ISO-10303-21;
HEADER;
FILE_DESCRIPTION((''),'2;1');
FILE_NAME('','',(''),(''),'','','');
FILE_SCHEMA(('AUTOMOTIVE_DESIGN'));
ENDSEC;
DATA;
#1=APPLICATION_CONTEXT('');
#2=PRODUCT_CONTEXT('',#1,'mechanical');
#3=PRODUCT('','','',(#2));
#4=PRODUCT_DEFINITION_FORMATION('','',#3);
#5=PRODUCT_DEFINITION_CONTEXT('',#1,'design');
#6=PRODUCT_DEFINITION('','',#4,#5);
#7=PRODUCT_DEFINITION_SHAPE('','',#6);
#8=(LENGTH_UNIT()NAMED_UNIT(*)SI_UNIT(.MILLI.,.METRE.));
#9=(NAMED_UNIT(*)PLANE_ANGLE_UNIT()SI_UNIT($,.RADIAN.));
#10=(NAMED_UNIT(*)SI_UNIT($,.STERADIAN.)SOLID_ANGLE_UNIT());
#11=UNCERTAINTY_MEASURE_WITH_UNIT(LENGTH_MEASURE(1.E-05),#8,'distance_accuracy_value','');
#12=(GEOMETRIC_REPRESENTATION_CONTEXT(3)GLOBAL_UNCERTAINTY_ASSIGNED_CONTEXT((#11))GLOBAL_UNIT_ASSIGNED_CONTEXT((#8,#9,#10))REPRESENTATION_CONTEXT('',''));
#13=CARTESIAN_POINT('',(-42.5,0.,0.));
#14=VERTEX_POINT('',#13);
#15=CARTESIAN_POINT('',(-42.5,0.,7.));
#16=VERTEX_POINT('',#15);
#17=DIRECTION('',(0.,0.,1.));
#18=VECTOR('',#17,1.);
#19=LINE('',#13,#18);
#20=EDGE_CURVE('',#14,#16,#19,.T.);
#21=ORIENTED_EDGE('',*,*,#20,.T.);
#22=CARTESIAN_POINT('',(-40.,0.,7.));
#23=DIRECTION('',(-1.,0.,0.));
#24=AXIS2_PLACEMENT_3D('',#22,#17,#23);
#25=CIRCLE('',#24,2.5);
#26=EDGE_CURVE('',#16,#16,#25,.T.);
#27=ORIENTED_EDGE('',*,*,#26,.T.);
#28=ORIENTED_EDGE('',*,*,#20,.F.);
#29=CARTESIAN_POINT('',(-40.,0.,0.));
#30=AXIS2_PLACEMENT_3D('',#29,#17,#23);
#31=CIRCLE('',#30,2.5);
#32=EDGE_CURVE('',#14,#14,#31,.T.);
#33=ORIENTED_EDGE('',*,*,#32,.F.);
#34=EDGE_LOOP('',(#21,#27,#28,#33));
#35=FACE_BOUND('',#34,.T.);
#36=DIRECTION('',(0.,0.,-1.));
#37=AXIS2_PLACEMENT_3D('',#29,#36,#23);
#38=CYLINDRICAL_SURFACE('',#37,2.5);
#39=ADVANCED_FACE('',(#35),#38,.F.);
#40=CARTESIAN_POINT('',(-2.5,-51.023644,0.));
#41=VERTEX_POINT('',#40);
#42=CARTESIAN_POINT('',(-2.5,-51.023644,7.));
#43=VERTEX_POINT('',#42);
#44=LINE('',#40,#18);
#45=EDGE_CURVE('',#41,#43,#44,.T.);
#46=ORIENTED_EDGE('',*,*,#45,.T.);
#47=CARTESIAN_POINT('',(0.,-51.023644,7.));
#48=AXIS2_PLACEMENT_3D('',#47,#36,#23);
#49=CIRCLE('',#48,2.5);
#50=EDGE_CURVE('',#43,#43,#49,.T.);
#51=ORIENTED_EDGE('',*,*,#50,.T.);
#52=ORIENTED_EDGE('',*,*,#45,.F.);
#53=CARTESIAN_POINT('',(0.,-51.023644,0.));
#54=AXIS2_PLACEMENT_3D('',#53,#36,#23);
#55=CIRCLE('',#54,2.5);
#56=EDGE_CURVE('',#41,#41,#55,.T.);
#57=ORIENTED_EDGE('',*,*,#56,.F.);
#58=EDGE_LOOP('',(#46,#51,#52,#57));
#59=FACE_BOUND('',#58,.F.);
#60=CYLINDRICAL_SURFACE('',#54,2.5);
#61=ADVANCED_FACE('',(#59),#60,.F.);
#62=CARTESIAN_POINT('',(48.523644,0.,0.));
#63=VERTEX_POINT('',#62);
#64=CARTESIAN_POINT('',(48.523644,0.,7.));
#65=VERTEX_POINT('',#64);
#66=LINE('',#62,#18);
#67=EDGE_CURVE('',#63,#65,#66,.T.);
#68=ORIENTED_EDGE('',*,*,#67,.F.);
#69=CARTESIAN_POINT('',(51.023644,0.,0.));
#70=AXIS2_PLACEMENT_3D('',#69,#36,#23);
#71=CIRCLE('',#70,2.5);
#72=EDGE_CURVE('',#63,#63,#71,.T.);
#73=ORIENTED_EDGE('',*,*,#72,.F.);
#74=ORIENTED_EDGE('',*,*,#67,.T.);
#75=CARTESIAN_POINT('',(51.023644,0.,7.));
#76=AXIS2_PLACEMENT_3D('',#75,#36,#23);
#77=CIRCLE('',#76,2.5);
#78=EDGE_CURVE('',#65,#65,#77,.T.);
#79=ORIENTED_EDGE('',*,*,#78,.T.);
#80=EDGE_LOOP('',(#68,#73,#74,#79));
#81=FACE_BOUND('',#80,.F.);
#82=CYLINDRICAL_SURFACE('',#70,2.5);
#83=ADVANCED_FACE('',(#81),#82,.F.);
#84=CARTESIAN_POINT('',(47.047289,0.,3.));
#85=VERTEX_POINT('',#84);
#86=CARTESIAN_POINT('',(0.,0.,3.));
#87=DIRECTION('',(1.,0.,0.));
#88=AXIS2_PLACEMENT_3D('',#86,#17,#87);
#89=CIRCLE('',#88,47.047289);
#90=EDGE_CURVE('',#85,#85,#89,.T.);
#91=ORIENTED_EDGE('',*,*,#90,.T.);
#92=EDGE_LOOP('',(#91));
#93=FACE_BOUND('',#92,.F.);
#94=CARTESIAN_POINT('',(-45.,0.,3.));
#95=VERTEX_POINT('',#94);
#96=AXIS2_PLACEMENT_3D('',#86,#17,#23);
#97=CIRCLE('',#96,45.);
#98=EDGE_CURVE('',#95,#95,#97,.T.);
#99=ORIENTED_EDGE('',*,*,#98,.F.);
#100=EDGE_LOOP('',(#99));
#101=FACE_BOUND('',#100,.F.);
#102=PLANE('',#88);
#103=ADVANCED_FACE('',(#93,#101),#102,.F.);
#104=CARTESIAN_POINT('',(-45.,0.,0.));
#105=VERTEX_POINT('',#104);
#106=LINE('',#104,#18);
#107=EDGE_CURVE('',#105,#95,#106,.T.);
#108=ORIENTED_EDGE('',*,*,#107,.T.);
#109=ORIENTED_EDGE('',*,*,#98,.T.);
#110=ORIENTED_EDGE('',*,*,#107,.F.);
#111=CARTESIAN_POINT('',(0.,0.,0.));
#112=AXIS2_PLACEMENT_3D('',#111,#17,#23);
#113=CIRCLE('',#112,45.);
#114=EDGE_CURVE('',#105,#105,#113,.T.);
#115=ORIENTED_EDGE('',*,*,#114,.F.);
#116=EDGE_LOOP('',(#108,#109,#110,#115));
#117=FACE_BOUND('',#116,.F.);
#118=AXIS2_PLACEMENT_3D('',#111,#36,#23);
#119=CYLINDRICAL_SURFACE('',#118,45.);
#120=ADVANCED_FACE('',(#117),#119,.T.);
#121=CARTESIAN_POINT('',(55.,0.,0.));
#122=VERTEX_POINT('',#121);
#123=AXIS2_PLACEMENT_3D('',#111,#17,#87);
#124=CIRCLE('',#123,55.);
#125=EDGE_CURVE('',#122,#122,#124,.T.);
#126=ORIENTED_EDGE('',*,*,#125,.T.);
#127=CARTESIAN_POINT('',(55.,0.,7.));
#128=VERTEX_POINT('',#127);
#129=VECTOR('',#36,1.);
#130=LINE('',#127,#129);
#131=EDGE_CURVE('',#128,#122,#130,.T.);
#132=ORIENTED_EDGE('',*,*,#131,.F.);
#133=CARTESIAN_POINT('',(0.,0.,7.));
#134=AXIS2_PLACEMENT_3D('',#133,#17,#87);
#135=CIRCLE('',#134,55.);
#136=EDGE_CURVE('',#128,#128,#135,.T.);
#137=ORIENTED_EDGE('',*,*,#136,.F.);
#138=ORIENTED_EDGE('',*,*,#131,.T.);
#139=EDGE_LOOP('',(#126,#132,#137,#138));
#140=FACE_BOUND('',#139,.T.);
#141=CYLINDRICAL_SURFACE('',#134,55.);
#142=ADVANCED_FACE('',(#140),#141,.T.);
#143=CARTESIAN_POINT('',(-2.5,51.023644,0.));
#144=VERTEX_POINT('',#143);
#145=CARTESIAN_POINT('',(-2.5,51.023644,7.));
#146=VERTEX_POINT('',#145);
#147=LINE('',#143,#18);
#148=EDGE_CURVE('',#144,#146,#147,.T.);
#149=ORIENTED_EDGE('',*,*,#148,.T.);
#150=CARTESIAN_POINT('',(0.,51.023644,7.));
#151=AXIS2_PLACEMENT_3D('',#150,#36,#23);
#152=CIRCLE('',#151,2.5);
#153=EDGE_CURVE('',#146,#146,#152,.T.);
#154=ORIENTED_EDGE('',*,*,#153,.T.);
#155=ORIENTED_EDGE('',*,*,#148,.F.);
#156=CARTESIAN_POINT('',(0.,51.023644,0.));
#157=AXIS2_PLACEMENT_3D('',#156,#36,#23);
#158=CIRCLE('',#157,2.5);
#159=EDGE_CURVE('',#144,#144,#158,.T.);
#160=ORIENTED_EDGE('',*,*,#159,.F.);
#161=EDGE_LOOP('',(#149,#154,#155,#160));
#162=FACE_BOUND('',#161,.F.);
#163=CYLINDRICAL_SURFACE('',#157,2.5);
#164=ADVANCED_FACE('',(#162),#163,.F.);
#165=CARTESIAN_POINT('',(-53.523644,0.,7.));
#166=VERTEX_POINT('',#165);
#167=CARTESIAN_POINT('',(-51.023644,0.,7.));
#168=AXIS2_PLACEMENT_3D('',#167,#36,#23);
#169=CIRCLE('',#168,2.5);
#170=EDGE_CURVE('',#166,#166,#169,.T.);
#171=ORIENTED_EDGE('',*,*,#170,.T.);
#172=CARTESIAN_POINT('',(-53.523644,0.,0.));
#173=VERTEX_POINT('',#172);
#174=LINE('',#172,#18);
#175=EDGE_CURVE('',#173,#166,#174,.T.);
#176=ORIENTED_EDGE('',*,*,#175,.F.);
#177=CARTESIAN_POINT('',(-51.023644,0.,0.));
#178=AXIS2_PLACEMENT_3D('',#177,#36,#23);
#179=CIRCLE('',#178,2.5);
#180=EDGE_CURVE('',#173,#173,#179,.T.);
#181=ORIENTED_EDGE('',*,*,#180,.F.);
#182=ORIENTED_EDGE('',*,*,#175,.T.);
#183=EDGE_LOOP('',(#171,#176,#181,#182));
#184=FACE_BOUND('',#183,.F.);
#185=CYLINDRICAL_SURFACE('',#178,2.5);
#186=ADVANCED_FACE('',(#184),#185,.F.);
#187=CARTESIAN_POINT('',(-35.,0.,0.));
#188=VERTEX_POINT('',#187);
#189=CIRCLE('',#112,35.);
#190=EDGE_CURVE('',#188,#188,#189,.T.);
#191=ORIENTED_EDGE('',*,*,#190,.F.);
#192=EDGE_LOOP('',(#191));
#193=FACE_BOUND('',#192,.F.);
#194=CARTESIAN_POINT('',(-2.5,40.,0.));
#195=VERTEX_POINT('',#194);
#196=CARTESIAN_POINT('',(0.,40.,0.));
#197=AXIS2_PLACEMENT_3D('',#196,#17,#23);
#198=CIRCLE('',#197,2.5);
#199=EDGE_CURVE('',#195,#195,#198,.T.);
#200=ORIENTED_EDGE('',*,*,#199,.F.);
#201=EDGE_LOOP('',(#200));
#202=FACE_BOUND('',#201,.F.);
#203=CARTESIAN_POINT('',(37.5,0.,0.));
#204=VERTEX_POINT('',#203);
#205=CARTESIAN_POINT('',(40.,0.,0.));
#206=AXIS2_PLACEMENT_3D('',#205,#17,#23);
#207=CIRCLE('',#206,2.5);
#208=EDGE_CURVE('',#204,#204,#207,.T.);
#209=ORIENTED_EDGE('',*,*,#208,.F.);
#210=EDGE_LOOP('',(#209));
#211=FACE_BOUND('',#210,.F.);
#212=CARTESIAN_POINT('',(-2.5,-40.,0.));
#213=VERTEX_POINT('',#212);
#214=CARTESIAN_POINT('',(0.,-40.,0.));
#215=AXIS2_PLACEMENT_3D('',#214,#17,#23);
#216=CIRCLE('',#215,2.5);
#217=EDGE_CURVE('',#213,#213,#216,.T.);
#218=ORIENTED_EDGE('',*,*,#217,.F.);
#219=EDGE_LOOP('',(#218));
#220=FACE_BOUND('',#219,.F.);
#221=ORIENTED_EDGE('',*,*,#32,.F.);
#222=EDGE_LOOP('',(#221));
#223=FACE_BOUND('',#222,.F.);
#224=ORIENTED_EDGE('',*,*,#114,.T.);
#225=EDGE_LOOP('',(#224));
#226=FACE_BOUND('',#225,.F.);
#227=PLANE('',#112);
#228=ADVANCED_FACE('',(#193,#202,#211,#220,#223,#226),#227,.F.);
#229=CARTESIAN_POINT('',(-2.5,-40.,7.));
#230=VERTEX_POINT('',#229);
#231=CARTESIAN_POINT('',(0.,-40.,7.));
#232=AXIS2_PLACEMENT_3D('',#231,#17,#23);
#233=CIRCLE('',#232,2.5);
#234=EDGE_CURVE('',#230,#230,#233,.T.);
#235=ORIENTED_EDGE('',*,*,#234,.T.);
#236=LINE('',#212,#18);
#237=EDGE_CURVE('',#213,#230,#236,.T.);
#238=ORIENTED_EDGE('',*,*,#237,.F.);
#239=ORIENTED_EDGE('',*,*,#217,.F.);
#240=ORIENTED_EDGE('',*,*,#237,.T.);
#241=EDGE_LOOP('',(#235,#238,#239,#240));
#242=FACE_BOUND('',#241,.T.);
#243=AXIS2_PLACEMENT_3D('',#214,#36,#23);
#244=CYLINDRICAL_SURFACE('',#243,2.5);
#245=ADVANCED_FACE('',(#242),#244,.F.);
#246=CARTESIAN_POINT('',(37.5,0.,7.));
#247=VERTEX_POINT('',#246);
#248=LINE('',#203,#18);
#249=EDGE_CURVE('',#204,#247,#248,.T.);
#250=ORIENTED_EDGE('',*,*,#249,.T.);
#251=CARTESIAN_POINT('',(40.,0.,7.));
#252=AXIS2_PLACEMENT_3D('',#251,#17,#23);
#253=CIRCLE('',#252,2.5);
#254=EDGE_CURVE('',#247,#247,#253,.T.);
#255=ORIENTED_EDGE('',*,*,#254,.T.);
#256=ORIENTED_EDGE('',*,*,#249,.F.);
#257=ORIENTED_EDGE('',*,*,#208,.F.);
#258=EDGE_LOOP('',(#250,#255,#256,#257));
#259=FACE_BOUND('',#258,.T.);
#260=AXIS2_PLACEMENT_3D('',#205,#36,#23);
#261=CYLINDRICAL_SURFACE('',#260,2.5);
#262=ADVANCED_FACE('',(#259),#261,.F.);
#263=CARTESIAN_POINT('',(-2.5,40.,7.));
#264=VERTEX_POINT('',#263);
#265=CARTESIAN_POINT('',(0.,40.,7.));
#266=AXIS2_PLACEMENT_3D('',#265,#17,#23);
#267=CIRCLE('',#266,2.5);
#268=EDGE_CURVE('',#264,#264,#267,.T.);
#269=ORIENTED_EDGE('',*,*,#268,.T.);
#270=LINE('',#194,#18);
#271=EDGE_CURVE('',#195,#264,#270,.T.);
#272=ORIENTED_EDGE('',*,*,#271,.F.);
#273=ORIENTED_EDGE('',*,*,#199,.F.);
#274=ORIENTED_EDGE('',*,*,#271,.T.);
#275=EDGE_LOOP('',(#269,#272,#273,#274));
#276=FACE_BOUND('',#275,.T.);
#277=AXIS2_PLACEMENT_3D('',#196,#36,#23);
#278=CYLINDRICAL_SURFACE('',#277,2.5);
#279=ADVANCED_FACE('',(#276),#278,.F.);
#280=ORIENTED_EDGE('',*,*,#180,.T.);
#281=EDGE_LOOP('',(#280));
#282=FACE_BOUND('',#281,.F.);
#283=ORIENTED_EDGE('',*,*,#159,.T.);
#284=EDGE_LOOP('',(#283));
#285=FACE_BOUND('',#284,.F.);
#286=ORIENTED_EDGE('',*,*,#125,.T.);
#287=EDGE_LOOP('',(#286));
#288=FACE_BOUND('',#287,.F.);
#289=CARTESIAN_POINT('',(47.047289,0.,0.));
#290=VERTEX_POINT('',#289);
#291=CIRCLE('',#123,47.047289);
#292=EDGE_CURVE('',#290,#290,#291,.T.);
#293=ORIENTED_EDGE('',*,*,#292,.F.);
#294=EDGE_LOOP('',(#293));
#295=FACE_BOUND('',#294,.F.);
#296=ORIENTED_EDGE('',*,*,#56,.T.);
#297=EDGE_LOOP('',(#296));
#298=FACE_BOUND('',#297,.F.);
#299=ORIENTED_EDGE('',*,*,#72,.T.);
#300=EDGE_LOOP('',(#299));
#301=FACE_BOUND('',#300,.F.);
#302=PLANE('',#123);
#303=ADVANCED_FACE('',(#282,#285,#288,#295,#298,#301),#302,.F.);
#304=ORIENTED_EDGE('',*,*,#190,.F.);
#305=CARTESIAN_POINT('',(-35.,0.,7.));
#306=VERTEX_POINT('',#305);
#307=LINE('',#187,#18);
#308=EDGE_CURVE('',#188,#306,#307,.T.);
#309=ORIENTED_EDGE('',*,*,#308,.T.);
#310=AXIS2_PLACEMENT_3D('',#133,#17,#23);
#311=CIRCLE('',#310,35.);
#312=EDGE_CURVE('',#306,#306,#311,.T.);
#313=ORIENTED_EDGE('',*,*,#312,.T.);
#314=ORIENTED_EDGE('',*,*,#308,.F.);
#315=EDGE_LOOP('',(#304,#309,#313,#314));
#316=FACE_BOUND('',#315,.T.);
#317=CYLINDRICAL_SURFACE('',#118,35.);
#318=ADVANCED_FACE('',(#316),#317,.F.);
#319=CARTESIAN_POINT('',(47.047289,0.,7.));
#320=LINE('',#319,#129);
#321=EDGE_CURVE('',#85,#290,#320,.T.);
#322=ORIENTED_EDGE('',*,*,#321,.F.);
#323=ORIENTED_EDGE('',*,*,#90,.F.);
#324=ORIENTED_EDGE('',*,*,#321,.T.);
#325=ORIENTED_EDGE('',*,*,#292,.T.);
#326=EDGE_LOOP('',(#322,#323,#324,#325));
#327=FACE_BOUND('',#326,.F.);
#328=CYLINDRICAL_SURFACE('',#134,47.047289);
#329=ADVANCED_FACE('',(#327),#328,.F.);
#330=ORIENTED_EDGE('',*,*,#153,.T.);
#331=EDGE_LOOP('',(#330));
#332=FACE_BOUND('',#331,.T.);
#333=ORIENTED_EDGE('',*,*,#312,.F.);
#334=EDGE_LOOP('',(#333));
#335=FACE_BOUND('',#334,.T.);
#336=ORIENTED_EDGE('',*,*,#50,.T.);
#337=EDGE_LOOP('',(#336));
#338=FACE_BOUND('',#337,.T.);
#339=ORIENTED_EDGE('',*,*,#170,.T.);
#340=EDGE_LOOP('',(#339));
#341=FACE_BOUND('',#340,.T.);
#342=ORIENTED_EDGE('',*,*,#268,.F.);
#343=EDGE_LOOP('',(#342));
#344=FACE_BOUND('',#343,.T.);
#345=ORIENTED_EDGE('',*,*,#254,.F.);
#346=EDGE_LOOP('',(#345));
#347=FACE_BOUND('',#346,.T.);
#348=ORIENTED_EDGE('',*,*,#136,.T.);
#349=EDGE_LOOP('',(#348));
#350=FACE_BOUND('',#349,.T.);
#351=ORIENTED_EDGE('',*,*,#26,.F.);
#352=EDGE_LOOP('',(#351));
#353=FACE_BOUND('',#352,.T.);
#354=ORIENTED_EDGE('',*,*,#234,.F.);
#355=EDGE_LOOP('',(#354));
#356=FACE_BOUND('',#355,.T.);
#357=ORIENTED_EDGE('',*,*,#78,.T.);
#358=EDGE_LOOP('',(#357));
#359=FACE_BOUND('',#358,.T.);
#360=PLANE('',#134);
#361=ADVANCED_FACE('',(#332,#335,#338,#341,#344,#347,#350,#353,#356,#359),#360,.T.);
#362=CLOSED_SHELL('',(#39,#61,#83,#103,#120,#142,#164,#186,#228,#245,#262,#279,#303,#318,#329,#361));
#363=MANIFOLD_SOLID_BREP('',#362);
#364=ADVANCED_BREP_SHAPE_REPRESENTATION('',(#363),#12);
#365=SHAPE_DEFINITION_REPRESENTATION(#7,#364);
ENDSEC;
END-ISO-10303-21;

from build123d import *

# Parameters (mm, degrees)
SKETCH1_R           = 45
SKETCH1_R_2         = 35
SKETCH1_R_3         = 2.5
BOSS_EXTRUDE1_DEPTH = 7
SKETCH2_R           = 55
SKETCH2_R_2         = 47.047288935
BOSS_EXTRUDE3_DEPTH = 7
BOSS_EXTRUDE4_START = -4
SKETCH3_R           = 47.047288935
SKETCH3_R_2         = 45
BOSS_EXTRUDE4_DEPTH = 4
SKETCH4_R           = 2.5
CUT_EXTRUDE1_DEPTH  = 79.096094653


with BuildPart() as part:
    # Sketch1 → Boss-Extrude1 (new body)
    with BuildSketch(Plane.XY):
        with Locations(Location((0, 0, 0), (0, 0, 180))):
            Circle(SKETCH1_R)
        with Locations(Location((0, 0, 0), (0, 0, 180))):
            Circle(SKETCH1_R_2, mode=Mode.SUBTRACT)
        with Locations(Location((0, 40, 0), (0, 0, 180))):
            Circle(SKETCH1_R_3, mode=Mode.SUBTRACT)
        with Locations(Location((40, 0, 0), (0, 0, 180))):
            Circle(SKETCH1_R_3, mode=Mode.SUBTRACT)
        with Locations(Location((0, -40, 0), (0, 0, 180))):
            Circle(SKETCH1_R_3, mode=Mode.SUBTRACT)
        with Locations(Location((-40, 0, 0), (0, 0, 180))):
            Circle(SKETCH1_R_3, mode=Mode.SUBTRACT)
    extrude(amount=BOSS_EXTRUDE1_DEPTH)



with BuildPart() as body_2:
    # Sketch2 → Boss-Extrude3 (new body)
    with BuildSketch(Plane.XY.offset(7)):
        Circle(SKETCH2_R)
        Circle(SKETCH2_R_2, mode=Mode.SUBTRACT)
    extrude(amount=-BOSS_EXTRUDE3_DEPTH)


with BuildPart() as part_1:
    add(part.part)

    add(body_2.part)  # Boss-Extrude4 merges body 2
    # Sketch3 → Boss-Extrude4 (add)
    with BuildSketch(Plane.XY.offset(7).offset(BOSS_EXTRUDE4_START)):
        Circle(SKETCH3_R)
        with Locations(Location((0, 0, 0), (0, 0, 180))):
            Circle(SKETCH3_R_2, mode=Mode.SUBTRACT)
    extrude(amount=BOSS_EXTRUDE4_DEPTH)

    # Sketch4 → Cut-Extrude1 (cut, through all)
    with BuildSketch(Plane(origin=(0, 0, 0), x_dir=(-1, 0, 0), z_dir=(0, 0, -1))):
        with Locations((0, -51.023644468)):
            Circle(SKETCH4_R)
        with Locations((-51.023644468, 0)):
            Circle(SKETCH4_R)
        with Locations((0, 51.023644468)):
            Circle(SKETCH4_R)
        with Locations((51.023644468, 0)):
            Circle(SKETCH4_R)
    extrude(amount=-CUT_EXTRUDE1_DEPTH, mode=Mode.SUBTRACT)


solid = part_1.part
